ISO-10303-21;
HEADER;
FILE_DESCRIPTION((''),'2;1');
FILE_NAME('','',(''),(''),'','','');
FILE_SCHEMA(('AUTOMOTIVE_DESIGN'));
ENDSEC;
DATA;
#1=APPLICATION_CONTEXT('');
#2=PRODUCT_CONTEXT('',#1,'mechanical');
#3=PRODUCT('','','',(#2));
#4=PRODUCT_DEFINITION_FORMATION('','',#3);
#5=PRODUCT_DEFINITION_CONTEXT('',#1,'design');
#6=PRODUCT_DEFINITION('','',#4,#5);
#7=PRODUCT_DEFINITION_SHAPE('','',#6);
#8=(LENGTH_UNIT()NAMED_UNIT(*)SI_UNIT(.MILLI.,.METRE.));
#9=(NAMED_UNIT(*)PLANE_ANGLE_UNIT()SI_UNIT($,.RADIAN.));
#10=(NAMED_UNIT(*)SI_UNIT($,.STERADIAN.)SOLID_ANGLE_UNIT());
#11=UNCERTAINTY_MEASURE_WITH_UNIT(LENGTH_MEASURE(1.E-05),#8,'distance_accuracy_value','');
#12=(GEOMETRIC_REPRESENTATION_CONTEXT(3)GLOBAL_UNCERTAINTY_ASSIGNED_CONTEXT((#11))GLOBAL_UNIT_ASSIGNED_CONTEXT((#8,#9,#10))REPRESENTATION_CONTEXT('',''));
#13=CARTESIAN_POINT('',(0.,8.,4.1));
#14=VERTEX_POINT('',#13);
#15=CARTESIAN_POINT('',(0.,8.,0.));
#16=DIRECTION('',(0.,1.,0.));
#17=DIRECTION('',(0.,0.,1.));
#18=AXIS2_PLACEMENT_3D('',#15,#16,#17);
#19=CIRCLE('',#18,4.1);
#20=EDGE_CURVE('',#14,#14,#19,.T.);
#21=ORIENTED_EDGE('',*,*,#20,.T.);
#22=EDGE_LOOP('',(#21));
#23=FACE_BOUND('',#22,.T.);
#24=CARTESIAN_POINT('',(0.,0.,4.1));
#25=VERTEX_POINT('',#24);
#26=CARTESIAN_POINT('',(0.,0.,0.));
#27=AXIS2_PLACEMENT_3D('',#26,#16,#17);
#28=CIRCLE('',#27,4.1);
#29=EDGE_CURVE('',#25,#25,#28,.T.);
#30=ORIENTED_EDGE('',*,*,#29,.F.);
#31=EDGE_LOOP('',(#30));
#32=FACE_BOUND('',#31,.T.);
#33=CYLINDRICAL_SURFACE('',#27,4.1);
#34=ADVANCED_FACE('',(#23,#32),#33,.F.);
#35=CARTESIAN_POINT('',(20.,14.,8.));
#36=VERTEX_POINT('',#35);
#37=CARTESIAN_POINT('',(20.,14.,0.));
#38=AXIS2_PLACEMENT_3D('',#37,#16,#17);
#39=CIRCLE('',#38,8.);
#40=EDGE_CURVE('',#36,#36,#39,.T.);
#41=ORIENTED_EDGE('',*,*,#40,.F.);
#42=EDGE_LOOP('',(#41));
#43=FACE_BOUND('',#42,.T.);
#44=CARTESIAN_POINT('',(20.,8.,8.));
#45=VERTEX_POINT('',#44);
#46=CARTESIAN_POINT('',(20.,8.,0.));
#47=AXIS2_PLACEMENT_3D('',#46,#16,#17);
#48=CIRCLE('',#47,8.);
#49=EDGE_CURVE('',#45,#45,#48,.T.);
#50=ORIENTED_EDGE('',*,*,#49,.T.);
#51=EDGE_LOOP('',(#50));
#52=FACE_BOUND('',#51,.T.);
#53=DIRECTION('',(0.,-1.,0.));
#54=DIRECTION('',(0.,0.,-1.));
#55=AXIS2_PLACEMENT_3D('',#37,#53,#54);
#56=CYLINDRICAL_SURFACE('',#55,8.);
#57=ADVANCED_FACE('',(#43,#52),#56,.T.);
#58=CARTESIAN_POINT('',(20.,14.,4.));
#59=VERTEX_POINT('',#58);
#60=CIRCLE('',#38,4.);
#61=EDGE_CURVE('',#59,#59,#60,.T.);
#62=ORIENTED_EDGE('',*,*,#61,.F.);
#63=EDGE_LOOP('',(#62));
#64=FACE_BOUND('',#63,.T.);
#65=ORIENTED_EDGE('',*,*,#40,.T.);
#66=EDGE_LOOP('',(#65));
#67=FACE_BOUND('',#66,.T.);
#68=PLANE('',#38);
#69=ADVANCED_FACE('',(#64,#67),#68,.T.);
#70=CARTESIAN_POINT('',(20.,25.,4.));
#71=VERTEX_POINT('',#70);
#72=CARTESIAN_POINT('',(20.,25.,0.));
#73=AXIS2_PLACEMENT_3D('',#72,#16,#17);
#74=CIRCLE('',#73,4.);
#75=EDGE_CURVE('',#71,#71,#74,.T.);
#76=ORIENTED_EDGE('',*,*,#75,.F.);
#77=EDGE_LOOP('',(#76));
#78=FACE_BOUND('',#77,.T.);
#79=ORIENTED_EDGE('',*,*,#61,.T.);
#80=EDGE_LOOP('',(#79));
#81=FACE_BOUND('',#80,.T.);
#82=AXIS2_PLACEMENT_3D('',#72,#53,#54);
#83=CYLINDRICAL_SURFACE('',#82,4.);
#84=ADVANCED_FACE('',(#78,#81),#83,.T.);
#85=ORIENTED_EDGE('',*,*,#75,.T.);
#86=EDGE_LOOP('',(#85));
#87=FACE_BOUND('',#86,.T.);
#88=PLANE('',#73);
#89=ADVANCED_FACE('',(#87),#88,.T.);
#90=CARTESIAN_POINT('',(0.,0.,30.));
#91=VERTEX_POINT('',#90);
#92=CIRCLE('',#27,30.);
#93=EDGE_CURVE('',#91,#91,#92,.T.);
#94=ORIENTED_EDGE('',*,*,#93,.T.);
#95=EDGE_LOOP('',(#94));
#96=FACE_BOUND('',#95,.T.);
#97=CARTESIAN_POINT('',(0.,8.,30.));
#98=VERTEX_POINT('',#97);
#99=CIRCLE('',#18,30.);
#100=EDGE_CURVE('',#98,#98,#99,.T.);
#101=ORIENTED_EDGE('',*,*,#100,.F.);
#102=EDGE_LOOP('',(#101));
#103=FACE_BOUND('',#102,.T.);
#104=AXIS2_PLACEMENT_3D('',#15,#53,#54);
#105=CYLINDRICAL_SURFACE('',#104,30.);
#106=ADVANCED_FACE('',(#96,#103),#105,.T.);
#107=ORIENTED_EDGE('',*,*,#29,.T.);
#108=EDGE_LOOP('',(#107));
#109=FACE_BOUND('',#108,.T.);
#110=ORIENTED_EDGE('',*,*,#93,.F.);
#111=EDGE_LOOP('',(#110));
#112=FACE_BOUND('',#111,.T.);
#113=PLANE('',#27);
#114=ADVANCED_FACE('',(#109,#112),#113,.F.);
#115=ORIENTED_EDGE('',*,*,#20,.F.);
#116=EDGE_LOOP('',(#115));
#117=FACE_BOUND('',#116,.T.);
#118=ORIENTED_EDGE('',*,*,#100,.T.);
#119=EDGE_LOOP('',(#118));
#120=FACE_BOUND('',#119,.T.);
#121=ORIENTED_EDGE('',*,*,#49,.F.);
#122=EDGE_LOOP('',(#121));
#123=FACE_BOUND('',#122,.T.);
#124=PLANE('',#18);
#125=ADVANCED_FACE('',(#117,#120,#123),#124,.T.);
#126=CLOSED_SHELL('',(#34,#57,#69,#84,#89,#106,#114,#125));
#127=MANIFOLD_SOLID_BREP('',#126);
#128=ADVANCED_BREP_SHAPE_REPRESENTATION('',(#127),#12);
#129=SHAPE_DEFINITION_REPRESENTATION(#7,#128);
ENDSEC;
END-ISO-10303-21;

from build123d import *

# Parameters (mm, degrees)
SKETCH_1_R          = 30
EXTRUDE_1_DEPTH     = 8
SKETCH_2_R          = 4.1
CUT_EXTRUDE_1_DEPTH = 44.17406629
SKETCH_3_R          = 8
EXTRUDE_2_DEPTH     = 6
SKETCH_4_R          = 4
EXTRUDE_3_DEPTH     = 11


with BuildPart() as part:
    # 草图1 → 凸台-拉伸1 (new body)
    with BuildSketch(Plane(origin=(0, 0, 0), x_dir=(1, 0, 0), z_dir=(0, 1, 0))):
        with Locations(Location((0, 0, 0), (0, 0, 270))):
            Circle(SKETCH_1_R)
    extrude(amount=EXTRUDE_1_DEPTH)

    # 草图2 → 切除-拉伸1 (cut, through all)
    with BuildSketch(Plane(origin=(0, 8, 0), x_dir=(1, 0, 0), z_dir=(0, 1, 0))):
        with Locations(Location((0, 0, 0), (0, 0, 270))):
            Circle(SKETCH_2_R)
    extrude(amount=-CUT_EXTRUDE_1_DEPTH, mode=Mode.SUBTRACT)

    # 草图3 → 凸台-拉伸2 (add)
    with BuildSketch(Plane(origin=(0, 8, 0), x_dir=(1, 0, 0), z_dir=(0, 1, 0))):
        with Locations(Location((20, 0, 0), (0, 0, 270))):
            Circle(SKETCH_3_R)
    extrude(amount=EXTRUDE_2_DEPTH)

    # 草图4 → 凸台-拉伸3 (add)
    with BuildSketch(Plane(origin=(0, 14, 0), x_dir=(1, 0, 0), z_dir=(0, 1, 0))):
        with Locations(Location((20, 0, 0), (0, 0, 270))):
            Circle(SKETCH_4_R)
    extrude(amount=EXTRUDE_3_DEPTH)


solid = part.part
